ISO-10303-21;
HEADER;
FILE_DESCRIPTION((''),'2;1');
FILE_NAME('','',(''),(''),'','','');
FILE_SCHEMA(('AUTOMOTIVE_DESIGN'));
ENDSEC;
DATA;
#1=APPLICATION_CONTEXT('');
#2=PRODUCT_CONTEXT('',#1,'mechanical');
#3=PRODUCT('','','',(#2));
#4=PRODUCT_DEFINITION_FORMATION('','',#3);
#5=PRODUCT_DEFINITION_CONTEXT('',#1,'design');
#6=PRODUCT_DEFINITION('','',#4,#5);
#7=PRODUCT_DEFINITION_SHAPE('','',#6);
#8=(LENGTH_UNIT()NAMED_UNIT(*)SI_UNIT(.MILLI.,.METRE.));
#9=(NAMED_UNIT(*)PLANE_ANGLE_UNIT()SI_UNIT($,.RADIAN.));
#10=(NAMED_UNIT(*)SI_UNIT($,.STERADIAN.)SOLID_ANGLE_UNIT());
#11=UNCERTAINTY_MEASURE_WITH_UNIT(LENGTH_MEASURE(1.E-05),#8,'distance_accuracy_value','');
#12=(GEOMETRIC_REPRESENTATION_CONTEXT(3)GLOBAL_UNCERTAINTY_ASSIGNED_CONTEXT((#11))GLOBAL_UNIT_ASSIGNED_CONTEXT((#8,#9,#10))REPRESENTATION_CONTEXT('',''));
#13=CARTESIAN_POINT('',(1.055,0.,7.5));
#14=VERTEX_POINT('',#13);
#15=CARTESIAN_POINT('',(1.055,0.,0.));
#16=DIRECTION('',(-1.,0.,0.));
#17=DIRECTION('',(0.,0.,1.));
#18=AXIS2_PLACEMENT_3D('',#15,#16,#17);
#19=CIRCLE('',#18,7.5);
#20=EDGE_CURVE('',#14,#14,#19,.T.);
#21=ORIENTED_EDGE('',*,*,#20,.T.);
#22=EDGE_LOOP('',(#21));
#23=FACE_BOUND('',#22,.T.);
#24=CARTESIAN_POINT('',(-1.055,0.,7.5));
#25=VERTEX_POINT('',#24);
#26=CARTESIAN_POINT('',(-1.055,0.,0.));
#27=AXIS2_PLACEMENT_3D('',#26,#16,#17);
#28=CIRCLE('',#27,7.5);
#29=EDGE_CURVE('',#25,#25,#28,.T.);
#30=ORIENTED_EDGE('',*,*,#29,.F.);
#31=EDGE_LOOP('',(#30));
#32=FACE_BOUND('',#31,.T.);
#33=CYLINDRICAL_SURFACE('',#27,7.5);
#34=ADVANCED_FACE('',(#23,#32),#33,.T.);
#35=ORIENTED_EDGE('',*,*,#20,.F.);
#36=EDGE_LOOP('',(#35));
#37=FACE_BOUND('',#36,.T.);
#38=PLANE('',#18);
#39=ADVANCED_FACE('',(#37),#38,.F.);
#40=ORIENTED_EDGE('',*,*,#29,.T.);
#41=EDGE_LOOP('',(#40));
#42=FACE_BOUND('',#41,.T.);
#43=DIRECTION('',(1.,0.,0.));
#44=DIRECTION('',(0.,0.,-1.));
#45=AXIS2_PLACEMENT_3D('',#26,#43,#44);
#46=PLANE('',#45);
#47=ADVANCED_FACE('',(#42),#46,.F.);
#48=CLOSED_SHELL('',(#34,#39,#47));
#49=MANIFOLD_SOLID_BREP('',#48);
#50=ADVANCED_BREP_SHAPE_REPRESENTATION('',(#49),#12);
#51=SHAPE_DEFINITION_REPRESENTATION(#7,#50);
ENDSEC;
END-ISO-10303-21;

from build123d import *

# Parameters (mm, degrees)
ESQUISSE1_W = 2.11
ESQUISSE1_H = 7.5


with BuildPart() as part:
    # Esquisse1 → Révolution1 (revolve)
    with BuildSketch(Plane.XY, mode=Mode.PRIVATE) as r_volution1_sk:
        with Locations((0, 3.75)):
            Rectangle(ESQUISSE1_W, ESQUISSE1_H)
    revolve(r_volution1_sk.sketch.rotate(Axis((-1.055, 0, 0), (1, 0, 0)), 90), axis=Axis((-1.055, 0, 0), (1, 0, 0)))


solid = part.part
